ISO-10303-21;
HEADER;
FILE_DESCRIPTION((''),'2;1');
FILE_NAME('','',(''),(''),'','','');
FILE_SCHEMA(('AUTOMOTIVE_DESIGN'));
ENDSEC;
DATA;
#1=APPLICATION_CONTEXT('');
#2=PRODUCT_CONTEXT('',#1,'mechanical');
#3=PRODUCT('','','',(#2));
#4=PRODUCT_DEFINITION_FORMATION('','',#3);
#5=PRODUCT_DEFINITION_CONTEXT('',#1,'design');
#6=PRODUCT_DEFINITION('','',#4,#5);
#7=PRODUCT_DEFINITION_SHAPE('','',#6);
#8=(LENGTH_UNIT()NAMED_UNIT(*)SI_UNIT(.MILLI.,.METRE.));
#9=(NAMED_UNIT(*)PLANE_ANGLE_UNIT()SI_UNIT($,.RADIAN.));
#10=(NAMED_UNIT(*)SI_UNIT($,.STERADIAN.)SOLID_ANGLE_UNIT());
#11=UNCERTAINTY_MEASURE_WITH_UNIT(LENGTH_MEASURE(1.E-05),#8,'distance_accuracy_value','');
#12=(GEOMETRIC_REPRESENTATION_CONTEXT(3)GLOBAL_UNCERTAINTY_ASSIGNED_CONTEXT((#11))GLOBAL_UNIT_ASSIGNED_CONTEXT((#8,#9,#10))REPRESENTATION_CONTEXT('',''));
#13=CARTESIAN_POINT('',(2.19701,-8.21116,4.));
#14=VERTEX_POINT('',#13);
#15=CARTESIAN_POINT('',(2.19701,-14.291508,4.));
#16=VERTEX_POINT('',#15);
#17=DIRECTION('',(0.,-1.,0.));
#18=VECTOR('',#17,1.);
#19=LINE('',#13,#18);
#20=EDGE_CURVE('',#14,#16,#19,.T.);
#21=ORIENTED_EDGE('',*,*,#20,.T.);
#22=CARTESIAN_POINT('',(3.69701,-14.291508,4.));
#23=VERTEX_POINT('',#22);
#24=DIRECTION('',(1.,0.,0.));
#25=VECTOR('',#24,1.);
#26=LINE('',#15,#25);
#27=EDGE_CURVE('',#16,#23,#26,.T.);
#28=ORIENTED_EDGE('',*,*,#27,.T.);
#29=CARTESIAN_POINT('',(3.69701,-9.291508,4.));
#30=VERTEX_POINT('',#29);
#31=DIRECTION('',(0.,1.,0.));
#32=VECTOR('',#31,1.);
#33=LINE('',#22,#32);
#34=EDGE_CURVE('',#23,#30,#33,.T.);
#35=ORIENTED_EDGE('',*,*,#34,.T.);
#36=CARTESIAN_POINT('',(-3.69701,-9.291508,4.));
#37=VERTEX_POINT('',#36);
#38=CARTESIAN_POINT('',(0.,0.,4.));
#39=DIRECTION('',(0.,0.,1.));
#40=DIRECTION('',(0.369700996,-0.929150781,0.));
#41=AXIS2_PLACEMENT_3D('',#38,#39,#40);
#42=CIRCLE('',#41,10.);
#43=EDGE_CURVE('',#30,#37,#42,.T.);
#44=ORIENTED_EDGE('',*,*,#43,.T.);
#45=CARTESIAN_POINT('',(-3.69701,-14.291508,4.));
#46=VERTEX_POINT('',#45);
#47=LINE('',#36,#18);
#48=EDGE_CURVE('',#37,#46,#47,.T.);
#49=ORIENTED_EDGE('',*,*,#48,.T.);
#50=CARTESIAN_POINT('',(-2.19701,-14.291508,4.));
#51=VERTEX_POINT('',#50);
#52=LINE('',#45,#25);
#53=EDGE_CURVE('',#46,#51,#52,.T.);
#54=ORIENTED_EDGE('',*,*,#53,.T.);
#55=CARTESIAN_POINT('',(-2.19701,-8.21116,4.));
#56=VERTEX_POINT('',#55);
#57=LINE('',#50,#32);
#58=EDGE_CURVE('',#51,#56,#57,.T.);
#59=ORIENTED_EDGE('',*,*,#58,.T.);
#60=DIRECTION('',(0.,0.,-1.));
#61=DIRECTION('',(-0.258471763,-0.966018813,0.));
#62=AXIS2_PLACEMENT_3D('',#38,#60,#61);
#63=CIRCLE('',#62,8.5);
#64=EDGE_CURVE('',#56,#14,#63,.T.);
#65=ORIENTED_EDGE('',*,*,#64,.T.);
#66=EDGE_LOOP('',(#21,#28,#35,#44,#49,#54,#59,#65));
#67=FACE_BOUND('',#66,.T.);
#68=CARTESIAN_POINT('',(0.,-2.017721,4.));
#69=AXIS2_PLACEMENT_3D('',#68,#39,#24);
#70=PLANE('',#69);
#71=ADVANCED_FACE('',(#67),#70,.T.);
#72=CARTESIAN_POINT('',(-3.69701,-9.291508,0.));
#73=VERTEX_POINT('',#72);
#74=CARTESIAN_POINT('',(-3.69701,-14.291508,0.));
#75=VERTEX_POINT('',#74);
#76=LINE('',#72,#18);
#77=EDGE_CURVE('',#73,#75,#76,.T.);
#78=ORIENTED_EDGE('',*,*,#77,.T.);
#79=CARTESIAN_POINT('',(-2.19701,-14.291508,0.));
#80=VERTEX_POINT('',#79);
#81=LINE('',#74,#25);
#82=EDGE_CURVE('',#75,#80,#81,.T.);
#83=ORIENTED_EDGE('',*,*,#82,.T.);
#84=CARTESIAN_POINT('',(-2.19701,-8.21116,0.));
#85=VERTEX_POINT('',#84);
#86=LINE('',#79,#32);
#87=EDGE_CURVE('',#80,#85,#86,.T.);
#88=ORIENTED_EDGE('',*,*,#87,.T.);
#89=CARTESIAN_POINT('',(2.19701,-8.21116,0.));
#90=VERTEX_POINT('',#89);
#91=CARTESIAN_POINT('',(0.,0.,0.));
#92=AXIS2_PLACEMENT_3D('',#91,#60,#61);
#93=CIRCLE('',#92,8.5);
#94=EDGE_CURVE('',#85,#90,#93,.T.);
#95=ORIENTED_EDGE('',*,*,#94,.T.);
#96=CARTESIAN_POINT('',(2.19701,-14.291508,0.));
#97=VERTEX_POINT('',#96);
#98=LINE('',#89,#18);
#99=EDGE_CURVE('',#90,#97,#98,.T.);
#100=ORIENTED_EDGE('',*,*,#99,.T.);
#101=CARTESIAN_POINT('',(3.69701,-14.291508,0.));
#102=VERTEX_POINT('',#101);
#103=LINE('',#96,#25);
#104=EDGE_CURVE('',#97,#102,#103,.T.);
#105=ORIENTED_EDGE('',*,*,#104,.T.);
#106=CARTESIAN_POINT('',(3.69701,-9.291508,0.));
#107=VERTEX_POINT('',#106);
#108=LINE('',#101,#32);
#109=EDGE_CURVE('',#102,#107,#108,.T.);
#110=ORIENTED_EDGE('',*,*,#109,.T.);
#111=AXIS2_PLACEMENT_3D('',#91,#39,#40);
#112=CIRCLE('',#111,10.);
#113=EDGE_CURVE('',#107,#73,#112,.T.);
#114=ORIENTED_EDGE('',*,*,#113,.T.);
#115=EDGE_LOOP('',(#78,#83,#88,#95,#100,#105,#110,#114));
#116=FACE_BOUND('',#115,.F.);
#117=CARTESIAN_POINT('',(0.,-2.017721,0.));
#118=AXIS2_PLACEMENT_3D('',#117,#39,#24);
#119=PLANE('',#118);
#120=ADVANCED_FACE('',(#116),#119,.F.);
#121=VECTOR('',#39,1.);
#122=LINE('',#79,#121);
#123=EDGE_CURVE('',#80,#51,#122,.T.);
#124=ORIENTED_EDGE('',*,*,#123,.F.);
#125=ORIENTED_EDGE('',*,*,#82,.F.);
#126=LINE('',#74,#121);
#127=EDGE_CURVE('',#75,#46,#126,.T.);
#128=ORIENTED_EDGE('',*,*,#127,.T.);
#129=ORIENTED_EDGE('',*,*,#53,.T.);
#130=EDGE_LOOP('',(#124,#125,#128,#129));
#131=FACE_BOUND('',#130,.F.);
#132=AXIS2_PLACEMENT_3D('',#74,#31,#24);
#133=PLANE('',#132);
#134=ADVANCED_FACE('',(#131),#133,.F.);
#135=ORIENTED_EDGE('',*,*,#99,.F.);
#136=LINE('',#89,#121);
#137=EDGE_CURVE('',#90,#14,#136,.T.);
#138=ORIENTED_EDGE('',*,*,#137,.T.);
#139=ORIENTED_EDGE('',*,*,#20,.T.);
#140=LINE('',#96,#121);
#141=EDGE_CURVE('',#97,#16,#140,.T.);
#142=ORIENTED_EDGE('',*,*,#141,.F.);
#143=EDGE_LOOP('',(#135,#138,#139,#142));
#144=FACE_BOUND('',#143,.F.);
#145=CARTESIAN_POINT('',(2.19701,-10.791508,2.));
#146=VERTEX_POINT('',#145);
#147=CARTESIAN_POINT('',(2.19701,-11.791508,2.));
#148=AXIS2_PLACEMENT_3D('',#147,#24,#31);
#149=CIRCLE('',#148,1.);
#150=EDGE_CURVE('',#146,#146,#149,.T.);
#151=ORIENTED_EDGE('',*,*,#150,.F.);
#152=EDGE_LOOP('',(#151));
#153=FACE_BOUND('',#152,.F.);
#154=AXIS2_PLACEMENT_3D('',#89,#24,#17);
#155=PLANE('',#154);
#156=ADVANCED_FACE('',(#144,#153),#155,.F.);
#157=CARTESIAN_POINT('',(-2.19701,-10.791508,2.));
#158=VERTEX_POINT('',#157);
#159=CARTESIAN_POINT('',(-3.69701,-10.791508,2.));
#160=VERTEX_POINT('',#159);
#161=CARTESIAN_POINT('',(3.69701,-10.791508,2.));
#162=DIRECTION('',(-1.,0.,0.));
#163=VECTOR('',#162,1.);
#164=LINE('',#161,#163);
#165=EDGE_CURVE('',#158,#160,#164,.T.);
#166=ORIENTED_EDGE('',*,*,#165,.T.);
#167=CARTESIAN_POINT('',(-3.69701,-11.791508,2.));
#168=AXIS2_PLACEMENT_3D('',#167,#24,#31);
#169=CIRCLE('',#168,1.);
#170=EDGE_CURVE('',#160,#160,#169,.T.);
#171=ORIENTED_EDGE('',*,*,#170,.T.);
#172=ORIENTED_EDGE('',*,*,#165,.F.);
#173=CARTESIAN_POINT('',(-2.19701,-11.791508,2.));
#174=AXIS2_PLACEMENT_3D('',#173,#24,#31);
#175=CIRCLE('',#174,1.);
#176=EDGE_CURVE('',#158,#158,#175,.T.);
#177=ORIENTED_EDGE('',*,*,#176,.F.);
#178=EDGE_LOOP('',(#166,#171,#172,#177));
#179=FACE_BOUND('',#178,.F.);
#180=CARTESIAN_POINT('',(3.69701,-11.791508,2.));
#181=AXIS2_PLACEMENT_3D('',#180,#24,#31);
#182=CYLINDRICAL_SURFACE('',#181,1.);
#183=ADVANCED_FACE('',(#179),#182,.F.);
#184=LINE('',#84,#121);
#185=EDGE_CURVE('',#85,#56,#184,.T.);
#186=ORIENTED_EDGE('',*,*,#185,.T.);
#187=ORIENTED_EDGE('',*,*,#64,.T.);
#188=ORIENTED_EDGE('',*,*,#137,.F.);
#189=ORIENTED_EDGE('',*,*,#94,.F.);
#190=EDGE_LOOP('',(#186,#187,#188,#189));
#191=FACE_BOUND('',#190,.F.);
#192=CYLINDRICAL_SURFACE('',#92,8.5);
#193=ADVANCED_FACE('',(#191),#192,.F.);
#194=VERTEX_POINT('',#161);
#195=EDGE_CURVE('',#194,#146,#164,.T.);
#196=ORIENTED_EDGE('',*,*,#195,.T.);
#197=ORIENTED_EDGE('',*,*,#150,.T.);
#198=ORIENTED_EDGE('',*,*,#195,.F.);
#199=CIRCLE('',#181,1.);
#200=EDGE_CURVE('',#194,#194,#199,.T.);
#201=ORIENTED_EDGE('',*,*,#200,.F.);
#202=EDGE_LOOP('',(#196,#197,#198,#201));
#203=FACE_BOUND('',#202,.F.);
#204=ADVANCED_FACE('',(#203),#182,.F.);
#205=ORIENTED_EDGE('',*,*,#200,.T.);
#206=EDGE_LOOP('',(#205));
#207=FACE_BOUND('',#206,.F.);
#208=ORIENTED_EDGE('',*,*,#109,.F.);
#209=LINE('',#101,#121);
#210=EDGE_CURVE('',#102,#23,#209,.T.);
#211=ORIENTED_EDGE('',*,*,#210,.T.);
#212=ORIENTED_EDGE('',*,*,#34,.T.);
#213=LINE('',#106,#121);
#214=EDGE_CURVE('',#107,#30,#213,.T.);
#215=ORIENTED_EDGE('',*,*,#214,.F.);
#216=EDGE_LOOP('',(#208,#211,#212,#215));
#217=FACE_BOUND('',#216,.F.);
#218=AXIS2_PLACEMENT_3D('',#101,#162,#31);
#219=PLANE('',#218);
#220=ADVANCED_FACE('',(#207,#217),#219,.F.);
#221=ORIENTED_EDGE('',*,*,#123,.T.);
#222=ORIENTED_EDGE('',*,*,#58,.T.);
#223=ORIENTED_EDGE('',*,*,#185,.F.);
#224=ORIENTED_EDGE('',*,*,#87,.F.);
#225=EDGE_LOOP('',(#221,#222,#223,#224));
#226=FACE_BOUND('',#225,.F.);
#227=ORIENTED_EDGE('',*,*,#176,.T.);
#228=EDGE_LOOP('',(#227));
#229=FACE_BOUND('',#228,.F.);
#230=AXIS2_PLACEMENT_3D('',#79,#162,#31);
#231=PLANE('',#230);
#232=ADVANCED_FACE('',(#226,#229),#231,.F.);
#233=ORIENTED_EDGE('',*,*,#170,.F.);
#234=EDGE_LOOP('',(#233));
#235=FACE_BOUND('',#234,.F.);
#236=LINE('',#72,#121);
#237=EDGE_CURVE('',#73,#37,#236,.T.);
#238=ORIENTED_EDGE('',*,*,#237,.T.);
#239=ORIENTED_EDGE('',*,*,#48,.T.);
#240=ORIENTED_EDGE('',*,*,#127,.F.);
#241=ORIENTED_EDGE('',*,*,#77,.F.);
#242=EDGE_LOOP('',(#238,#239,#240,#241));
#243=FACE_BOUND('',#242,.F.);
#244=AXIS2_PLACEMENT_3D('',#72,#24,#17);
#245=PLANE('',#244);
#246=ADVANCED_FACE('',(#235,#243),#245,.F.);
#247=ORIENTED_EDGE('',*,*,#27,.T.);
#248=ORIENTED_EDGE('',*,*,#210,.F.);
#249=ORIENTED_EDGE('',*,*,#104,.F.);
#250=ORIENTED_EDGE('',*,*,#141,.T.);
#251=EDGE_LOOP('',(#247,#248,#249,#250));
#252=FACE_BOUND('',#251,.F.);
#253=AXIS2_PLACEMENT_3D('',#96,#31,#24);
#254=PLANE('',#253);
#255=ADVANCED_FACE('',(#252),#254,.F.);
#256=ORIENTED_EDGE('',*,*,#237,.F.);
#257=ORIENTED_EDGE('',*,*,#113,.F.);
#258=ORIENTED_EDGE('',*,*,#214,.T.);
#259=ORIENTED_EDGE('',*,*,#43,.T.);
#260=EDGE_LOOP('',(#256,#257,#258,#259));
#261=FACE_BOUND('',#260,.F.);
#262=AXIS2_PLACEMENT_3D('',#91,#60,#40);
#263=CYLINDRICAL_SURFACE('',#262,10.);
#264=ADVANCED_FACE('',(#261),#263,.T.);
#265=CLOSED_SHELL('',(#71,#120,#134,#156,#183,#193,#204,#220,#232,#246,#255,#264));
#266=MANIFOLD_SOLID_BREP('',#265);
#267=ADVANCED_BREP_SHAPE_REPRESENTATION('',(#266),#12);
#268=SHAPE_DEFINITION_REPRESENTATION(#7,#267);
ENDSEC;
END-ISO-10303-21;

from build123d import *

# Parameters (mm, degrees)
F1_DEPTH = 4
F2_R     = 1
F3_DEPTH = 25


with BuildPart() as f1:
    # F0 (on Top) → F1 (new body)
    with BuildSketch(Plane.XY):
        with BuildLine():
            Line((2.19701, -14.291508), (3.69701, -14.291508))
            Line((3.69701, -14.291508), (3.69701, -9.291508))
            ThreePointArc((3.69701, -9.291508), (0, 10), (-3.69701, -9.291508))
            Line((-3.69701, -9.291508), (-3.69701, -14.291508))
            Line((-3.69701, -14.291508), (-2.19701, -14.291508))
            Line((-2.19701, -14.291508), (-2.19701, -9.755673))
            Line((-2.19701, -9.755673), (-2.19701, -8.21116))
            ThreePointArc((-2.19701, -8.21116), (0, 8.5), (2.19701, -8.21116))
            Line((2.19701, -8.21116), (2.19701, -9.755673))
            Line((2.19701, -9.755673), (2.19701, -14.291508))
        make_face()
    extrude(amount=F1_DEPTH)

    # F2 (on face) → F3 (cut)
    with BuildSketch(Plane.YZ.offset(3.69701)):
        with Locations((-11.791508, 2)):
            Circle(F2_R)
    extrude(amount=-F3_DEPTH, mode=Mode.SUBTRACT)


solid = f1.part
